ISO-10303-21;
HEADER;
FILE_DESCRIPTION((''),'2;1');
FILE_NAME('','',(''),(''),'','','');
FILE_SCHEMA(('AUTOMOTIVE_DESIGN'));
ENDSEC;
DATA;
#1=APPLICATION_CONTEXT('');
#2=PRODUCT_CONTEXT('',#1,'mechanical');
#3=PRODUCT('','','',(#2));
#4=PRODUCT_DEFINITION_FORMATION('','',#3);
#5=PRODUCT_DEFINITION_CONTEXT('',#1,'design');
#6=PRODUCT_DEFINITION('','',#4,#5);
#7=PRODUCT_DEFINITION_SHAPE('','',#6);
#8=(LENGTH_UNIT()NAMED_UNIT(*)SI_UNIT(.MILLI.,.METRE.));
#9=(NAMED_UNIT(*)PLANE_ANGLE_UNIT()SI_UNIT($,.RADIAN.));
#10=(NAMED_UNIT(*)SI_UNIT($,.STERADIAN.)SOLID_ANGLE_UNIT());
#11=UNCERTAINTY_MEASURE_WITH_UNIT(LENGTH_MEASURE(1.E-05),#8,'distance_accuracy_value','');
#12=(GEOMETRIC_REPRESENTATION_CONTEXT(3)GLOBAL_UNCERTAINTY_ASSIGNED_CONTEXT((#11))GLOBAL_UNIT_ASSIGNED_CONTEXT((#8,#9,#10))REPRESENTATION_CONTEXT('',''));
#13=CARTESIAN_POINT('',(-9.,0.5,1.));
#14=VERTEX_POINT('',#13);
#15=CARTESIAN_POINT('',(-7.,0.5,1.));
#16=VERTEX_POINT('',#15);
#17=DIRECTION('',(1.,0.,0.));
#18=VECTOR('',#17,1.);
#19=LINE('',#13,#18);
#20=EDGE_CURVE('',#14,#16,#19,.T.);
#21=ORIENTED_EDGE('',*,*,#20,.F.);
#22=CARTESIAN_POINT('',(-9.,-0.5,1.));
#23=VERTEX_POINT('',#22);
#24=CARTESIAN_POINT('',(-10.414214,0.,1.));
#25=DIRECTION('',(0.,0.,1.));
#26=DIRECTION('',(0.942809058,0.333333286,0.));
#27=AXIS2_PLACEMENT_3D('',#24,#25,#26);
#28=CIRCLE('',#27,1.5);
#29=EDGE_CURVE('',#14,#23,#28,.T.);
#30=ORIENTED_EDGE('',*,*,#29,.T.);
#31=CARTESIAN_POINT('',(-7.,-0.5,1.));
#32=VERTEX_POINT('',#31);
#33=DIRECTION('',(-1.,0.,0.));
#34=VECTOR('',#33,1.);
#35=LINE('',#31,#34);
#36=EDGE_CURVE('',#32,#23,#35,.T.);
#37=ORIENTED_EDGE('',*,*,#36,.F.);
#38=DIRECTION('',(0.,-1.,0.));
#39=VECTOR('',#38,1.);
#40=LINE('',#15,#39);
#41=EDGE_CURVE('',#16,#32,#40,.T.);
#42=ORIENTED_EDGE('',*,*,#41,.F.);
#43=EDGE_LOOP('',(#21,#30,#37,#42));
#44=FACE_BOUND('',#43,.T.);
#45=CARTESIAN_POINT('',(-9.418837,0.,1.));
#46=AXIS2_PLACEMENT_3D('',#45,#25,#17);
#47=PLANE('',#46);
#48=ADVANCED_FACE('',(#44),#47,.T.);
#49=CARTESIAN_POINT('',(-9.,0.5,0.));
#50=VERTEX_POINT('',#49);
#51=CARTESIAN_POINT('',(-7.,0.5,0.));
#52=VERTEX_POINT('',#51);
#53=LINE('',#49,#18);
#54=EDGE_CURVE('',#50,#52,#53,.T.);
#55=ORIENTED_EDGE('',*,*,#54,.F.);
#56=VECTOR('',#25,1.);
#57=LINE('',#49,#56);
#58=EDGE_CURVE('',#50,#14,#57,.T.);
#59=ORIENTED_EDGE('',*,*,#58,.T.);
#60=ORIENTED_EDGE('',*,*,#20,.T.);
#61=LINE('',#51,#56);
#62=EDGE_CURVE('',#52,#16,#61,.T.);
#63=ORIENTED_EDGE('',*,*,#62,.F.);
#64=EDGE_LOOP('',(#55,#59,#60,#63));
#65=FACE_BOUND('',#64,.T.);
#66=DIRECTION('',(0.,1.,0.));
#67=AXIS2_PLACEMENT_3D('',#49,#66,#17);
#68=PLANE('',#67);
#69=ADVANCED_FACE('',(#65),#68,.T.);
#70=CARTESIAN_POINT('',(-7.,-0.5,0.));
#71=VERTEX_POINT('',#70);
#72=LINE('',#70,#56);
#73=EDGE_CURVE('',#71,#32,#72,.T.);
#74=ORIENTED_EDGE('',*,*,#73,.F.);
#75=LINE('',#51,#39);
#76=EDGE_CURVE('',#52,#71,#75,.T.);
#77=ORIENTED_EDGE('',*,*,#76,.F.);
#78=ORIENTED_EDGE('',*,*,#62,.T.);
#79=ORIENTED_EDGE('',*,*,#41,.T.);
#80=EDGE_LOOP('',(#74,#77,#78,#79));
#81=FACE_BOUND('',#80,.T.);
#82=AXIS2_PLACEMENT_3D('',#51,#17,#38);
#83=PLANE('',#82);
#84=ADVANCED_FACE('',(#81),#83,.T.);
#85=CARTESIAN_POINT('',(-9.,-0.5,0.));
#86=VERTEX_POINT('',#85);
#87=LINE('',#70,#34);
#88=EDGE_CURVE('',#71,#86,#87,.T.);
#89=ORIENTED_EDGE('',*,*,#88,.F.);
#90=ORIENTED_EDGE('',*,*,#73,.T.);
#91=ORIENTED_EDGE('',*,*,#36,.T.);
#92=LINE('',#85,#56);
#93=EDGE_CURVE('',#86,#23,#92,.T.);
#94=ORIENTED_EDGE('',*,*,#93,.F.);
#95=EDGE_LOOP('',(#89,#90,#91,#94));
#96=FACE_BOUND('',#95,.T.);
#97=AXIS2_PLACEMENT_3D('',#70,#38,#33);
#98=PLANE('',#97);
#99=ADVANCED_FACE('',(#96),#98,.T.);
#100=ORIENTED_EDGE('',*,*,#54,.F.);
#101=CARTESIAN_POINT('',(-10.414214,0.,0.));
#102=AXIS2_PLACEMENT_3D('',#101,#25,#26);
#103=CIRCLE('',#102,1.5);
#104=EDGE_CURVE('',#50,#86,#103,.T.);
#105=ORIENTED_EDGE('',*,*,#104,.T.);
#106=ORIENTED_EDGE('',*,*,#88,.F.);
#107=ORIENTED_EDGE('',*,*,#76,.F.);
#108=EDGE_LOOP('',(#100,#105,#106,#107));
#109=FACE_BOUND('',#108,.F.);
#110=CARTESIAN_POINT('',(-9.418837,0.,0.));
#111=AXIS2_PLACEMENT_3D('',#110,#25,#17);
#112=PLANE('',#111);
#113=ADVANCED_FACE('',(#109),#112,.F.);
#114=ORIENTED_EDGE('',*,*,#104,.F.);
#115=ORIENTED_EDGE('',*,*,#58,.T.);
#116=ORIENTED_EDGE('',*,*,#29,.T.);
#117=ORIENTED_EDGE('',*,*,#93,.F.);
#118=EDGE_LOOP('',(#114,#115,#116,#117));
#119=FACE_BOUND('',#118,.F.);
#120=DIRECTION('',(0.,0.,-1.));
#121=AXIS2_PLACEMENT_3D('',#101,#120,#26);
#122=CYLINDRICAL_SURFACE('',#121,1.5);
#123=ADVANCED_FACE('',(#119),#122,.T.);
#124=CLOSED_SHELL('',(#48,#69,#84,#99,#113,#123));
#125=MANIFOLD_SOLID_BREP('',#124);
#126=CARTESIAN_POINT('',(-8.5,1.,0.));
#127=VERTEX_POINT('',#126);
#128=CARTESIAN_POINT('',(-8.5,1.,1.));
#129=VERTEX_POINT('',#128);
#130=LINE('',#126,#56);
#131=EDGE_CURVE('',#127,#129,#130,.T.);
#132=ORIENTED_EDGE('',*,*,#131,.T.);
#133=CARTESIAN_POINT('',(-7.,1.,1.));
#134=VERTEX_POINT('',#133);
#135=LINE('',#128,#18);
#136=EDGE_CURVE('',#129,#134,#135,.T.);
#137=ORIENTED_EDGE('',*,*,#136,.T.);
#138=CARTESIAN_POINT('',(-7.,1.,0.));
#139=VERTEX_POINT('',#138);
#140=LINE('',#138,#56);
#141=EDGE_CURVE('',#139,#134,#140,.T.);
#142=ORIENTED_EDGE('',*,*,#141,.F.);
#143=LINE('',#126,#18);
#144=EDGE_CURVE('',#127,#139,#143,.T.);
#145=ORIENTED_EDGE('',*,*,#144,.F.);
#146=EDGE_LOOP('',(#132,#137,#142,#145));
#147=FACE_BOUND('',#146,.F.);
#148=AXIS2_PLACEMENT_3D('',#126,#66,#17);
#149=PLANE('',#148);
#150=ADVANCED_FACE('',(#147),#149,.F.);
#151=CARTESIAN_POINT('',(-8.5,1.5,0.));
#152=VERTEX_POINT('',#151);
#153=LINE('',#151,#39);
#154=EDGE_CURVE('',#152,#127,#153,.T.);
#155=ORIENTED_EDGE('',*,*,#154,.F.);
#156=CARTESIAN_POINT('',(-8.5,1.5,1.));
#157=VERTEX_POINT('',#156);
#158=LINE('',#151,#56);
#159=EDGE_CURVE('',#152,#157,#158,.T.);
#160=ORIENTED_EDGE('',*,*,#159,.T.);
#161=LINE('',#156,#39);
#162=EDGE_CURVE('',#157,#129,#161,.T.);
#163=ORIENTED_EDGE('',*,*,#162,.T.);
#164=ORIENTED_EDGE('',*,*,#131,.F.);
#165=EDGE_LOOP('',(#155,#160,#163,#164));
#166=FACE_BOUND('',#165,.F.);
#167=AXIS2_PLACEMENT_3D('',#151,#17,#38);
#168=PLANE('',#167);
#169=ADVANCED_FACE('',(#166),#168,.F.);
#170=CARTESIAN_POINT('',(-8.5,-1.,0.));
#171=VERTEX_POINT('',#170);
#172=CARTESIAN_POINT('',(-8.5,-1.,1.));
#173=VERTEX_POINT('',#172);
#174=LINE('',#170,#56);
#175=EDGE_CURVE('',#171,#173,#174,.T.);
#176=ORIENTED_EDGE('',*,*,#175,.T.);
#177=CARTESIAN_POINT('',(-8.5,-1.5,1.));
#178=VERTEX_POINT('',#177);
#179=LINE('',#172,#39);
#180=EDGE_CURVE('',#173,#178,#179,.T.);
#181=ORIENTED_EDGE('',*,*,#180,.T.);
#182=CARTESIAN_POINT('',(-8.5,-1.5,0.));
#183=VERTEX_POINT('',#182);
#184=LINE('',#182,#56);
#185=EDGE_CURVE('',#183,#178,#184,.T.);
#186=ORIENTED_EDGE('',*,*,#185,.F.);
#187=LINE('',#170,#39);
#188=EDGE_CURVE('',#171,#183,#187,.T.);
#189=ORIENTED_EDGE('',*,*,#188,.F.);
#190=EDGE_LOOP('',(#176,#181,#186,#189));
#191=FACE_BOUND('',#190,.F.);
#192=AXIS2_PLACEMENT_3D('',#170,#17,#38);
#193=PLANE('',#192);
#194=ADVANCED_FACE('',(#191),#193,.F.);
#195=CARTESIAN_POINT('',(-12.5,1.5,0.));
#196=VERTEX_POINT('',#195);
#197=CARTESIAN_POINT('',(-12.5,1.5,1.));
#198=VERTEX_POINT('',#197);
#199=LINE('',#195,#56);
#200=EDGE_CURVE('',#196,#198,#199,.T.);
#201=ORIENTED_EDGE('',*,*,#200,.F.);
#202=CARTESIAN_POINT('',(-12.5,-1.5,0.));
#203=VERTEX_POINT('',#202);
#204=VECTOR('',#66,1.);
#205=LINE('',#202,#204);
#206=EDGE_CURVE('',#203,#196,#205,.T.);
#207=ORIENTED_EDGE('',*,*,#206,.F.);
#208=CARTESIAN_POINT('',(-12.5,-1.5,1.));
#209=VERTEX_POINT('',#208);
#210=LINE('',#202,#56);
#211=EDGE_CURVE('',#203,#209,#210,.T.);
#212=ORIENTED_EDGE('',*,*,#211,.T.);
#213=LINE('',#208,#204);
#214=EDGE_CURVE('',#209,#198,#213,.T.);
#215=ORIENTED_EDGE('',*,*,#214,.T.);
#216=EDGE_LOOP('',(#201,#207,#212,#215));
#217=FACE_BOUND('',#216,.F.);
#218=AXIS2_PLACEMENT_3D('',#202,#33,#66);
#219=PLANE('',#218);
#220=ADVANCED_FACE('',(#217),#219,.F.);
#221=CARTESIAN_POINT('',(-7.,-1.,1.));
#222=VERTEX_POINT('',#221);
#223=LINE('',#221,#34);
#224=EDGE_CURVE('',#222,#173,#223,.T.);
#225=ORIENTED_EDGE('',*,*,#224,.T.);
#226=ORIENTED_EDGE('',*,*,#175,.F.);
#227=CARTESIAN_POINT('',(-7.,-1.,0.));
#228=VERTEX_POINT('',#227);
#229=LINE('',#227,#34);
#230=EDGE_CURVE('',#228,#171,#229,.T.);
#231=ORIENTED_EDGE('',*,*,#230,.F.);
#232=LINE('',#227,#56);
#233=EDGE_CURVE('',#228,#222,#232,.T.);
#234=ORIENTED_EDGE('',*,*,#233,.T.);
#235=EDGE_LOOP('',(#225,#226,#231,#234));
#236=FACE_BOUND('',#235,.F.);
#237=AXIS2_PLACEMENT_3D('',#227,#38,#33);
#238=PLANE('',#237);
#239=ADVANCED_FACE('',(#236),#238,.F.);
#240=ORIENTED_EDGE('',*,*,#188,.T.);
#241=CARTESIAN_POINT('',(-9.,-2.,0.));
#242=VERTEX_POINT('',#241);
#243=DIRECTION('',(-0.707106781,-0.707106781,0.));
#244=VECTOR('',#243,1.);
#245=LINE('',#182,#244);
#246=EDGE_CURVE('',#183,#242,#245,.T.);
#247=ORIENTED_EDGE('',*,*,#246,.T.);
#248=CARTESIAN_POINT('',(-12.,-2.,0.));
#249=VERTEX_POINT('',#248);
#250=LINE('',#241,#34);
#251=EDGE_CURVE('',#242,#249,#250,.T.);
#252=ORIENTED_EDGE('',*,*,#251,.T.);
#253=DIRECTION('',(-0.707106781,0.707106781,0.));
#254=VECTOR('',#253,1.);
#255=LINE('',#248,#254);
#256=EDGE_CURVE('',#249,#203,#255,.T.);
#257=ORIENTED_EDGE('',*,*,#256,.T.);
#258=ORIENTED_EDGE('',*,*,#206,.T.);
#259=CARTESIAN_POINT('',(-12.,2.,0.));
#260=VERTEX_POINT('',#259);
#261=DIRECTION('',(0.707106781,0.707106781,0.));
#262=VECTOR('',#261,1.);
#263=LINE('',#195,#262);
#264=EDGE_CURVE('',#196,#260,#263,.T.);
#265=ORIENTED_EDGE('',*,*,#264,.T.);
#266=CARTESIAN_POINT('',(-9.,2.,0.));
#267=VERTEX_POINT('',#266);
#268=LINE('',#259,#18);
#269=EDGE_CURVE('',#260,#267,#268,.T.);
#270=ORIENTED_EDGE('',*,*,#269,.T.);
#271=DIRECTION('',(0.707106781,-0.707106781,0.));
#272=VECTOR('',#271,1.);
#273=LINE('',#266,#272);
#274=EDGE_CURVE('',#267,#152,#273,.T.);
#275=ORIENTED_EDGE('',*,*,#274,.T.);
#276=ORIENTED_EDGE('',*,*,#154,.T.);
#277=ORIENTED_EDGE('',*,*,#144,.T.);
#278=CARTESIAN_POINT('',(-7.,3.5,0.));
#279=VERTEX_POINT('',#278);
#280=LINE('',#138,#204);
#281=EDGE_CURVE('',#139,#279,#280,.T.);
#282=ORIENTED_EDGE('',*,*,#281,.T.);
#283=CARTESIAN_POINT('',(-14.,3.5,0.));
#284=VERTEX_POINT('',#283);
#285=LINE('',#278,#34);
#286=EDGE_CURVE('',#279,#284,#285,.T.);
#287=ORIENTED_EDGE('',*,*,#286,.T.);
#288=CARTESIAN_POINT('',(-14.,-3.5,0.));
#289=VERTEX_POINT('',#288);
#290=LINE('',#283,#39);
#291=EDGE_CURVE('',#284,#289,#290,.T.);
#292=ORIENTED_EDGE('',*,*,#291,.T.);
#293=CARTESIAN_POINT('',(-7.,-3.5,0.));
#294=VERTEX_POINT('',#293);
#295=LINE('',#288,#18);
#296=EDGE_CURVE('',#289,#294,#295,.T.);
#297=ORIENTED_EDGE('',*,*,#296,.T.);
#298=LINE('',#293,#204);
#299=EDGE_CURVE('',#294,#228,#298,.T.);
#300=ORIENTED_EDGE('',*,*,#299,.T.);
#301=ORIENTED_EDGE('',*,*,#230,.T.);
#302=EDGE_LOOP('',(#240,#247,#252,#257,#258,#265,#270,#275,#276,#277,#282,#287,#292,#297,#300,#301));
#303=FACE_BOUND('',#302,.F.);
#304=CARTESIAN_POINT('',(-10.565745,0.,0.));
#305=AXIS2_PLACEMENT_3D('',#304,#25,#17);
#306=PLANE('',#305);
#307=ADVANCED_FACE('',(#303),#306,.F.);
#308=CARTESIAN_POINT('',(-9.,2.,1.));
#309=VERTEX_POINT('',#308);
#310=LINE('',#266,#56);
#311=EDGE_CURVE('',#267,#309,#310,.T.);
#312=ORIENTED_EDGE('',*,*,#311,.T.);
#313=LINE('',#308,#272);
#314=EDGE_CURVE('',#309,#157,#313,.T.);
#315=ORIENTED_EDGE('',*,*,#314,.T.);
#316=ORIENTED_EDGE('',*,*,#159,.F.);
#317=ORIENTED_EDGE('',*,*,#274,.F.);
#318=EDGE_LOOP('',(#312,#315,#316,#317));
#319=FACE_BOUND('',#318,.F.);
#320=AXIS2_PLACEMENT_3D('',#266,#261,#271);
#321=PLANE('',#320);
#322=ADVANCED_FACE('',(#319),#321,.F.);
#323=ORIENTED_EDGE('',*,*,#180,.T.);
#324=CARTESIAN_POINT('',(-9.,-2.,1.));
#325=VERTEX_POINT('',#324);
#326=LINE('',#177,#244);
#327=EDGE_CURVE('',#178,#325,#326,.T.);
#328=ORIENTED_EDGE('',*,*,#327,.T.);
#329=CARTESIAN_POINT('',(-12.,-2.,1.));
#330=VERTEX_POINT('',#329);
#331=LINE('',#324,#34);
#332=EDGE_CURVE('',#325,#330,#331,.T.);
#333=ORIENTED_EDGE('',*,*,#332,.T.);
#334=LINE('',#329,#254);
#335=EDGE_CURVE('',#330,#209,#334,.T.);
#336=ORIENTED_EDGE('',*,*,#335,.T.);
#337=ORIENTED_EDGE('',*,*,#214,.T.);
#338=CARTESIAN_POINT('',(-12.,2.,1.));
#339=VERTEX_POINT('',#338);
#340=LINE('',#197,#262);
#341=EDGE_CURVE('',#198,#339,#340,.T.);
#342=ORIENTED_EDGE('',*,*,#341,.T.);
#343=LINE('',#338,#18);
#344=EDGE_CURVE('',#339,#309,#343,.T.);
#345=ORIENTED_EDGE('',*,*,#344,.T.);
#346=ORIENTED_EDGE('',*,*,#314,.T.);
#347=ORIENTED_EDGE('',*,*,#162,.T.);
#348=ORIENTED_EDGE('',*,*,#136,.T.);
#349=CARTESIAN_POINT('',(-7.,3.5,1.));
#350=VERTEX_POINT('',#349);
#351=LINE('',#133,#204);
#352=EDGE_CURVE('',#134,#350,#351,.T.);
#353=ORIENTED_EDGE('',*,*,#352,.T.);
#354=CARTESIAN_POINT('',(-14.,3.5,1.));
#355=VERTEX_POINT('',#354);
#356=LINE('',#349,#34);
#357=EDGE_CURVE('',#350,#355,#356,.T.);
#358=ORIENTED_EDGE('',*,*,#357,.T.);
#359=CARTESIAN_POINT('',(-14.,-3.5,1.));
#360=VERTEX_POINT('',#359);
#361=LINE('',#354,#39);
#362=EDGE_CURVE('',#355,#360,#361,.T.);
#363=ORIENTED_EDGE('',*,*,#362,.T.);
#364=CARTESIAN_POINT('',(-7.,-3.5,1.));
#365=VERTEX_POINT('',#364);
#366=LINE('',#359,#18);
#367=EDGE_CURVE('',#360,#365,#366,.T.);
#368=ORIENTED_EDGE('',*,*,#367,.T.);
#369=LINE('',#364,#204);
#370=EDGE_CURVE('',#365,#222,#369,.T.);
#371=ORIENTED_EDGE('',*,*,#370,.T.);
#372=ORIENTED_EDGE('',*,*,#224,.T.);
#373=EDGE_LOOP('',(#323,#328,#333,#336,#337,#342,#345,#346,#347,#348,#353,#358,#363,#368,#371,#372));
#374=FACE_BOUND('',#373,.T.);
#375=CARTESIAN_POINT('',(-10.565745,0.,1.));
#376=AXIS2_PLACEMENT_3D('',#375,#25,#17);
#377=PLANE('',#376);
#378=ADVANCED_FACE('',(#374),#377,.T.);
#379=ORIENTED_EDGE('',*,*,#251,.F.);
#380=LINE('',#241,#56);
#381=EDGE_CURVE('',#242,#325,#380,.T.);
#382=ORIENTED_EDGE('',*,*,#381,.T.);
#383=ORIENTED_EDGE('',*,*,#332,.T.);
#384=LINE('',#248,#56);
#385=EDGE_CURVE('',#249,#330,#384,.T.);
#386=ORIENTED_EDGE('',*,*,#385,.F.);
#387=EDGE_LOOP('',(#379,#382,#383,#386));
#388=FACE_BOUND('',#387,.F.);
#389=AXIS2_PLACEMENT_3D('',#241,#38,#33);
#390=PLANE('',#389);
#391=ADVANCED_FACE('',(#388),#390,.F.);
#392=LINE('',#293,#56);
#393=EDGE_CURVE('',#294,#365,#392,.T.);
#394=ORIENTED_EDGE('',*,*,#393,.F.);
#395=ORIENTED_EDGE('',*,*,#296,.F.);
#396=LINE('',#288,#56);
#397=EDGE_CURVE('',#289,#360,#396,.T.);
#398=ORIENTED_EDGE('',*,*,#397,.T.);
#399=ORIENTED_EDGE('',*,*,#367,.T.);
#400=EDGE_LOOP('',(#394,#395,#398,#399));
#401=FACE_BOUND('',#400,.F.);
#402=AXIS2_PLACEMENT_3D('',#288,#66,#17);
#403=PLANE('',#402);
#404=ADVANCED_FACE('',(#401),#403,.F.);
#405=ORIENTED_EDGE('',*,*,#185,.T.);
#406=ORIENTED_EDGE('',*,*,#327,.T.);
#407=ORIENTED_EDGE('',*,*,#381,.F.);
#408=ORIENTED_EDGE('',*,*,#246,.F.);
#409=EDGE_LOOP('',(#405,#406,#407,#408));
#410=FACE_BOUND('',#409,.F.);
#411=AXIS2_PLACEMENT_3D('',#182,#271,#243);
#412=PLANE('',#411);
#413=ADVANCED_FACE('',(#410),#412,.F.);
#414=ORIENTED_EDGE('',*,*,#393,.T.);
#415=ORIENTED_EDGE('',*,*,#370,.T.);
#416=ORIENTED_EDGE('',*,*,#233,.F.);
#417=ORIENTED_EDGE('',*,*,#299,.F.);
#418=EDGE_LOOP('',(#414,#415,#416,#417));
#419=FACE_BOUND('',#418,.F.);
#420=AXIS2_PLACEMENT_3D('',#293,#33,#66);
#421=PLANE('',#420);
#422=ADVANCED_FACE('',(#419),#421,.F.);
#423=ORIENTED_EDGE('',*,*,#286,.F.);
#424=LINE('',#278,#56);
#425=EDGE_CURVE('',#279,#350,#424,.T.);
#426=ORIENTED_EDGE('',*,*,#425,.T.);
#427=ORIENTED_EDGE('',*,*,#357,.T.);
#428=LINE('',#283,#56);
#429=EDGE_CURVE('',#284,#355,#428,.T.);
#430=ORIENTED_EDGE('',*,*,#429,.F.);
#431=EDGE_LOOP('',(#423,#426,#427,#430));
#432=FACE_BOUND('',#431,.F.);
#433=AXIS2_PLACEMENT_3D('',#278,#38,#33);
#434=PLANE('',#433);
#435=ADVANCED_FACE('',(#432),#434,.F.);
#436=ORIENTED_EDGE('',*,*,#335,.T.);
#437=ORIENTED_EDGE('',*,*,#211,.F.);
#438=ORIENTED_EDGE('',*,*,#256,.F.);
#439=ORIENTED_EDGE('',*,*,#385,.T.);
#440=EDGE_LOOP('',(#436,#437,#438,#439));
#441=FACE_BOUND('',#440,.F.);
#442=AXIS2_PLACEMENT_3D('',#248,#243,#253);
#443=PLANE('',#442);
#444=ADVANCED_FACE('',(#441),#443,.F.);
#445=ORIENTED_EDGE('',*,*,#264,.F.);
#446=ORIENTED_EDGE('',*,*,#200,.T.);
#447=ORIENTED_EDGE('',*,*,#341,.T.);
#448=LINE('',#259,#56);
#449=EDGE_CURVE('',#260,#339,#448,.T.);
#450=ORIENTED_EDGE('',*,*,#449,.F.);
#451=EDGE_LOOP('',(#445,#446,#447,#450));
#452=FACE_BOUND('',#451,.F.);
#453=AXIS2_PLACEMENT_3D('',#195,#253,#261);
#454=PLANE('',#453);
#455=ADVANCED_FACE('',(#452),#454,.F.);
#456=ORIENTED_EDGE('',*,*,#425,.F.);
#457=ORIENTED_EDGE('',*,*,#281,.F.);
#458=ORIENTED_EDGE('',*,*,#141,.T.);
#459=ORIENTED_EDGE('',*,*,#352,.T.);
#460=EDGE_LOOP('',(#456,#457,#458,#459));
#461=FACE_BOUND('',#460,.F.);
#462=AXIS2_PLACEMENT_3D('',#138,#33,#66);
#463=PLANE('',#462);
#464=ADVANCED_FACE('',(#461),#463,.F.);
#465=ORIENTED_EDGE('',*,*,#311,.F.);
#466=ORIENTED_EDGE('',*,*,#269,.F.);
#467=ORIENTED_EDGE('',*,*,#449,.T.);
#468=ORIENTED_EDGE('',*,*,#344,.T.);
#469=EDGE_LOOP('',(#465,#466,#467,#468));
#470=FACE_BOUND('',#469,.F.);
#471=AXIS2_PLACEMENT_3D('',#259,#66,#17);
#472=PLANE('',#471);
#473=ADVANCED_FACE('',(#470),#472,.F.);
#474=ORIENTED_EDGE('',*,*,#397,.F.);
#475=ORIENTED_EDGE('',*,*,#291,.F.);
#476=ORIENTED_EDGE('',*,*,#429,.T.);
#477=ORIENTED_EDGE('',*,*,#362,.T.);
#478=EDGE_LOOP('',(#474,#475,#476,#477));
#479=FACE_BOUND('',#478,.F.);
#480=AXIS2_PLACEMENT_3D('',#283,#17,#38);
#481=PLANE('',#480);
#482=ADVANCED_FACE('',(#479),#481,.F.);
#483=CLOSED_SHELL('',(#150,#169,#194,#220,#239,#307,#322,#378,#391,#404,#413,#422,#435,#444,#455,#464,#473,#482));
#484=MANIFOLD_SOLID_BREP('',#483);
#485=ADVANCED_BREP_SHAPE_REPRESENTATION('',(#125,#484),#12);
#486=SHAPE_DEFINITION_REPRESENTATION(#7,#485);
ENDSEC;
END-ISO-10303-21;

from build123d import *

# Parameters (mm, degrees)
PAD001_DEPTH = 1
PAD_DEPTH    = 1


with BuildPart() as outer_pad:
    # Sketch → Pad001 (new body)
    with BuildSketch(Plane.XY):
        Polygon((-8.5, 1), (-7, 1), (-7, 3.5), (-14, 3.5), (-14, -3.5), (-7, -3.5), (-7, -1), (-8.5, -1), (-8.5, -1.5), (-9, -2), (-12, -2), (-12.5, -1.5), (-12.5, 1.5), (-12, 2), (-9, 2), (-8.5, 1.5), align=None)
    extrude(amount=PAD001_DEPTH)


with BuildPart() as inner_pad:
    # Sketch001 → Pad (new body)
    with BuildSketch(Plane.XY):
        with BuildLine():
            ThreePointArc((-9, 0.5), (-11.914214, 0), (-9, -0.5))
            Line((-7, -0.5), (-9, -0.5))
            Line((-7, 0.5), (-7, -0.5))
            Line((-9, 0.5), (-7, 0.5))
        make_face()
    extrude(amount=PAD_DEPTH)


solid = Compound([outer_pad.part, inner_pad.part])
